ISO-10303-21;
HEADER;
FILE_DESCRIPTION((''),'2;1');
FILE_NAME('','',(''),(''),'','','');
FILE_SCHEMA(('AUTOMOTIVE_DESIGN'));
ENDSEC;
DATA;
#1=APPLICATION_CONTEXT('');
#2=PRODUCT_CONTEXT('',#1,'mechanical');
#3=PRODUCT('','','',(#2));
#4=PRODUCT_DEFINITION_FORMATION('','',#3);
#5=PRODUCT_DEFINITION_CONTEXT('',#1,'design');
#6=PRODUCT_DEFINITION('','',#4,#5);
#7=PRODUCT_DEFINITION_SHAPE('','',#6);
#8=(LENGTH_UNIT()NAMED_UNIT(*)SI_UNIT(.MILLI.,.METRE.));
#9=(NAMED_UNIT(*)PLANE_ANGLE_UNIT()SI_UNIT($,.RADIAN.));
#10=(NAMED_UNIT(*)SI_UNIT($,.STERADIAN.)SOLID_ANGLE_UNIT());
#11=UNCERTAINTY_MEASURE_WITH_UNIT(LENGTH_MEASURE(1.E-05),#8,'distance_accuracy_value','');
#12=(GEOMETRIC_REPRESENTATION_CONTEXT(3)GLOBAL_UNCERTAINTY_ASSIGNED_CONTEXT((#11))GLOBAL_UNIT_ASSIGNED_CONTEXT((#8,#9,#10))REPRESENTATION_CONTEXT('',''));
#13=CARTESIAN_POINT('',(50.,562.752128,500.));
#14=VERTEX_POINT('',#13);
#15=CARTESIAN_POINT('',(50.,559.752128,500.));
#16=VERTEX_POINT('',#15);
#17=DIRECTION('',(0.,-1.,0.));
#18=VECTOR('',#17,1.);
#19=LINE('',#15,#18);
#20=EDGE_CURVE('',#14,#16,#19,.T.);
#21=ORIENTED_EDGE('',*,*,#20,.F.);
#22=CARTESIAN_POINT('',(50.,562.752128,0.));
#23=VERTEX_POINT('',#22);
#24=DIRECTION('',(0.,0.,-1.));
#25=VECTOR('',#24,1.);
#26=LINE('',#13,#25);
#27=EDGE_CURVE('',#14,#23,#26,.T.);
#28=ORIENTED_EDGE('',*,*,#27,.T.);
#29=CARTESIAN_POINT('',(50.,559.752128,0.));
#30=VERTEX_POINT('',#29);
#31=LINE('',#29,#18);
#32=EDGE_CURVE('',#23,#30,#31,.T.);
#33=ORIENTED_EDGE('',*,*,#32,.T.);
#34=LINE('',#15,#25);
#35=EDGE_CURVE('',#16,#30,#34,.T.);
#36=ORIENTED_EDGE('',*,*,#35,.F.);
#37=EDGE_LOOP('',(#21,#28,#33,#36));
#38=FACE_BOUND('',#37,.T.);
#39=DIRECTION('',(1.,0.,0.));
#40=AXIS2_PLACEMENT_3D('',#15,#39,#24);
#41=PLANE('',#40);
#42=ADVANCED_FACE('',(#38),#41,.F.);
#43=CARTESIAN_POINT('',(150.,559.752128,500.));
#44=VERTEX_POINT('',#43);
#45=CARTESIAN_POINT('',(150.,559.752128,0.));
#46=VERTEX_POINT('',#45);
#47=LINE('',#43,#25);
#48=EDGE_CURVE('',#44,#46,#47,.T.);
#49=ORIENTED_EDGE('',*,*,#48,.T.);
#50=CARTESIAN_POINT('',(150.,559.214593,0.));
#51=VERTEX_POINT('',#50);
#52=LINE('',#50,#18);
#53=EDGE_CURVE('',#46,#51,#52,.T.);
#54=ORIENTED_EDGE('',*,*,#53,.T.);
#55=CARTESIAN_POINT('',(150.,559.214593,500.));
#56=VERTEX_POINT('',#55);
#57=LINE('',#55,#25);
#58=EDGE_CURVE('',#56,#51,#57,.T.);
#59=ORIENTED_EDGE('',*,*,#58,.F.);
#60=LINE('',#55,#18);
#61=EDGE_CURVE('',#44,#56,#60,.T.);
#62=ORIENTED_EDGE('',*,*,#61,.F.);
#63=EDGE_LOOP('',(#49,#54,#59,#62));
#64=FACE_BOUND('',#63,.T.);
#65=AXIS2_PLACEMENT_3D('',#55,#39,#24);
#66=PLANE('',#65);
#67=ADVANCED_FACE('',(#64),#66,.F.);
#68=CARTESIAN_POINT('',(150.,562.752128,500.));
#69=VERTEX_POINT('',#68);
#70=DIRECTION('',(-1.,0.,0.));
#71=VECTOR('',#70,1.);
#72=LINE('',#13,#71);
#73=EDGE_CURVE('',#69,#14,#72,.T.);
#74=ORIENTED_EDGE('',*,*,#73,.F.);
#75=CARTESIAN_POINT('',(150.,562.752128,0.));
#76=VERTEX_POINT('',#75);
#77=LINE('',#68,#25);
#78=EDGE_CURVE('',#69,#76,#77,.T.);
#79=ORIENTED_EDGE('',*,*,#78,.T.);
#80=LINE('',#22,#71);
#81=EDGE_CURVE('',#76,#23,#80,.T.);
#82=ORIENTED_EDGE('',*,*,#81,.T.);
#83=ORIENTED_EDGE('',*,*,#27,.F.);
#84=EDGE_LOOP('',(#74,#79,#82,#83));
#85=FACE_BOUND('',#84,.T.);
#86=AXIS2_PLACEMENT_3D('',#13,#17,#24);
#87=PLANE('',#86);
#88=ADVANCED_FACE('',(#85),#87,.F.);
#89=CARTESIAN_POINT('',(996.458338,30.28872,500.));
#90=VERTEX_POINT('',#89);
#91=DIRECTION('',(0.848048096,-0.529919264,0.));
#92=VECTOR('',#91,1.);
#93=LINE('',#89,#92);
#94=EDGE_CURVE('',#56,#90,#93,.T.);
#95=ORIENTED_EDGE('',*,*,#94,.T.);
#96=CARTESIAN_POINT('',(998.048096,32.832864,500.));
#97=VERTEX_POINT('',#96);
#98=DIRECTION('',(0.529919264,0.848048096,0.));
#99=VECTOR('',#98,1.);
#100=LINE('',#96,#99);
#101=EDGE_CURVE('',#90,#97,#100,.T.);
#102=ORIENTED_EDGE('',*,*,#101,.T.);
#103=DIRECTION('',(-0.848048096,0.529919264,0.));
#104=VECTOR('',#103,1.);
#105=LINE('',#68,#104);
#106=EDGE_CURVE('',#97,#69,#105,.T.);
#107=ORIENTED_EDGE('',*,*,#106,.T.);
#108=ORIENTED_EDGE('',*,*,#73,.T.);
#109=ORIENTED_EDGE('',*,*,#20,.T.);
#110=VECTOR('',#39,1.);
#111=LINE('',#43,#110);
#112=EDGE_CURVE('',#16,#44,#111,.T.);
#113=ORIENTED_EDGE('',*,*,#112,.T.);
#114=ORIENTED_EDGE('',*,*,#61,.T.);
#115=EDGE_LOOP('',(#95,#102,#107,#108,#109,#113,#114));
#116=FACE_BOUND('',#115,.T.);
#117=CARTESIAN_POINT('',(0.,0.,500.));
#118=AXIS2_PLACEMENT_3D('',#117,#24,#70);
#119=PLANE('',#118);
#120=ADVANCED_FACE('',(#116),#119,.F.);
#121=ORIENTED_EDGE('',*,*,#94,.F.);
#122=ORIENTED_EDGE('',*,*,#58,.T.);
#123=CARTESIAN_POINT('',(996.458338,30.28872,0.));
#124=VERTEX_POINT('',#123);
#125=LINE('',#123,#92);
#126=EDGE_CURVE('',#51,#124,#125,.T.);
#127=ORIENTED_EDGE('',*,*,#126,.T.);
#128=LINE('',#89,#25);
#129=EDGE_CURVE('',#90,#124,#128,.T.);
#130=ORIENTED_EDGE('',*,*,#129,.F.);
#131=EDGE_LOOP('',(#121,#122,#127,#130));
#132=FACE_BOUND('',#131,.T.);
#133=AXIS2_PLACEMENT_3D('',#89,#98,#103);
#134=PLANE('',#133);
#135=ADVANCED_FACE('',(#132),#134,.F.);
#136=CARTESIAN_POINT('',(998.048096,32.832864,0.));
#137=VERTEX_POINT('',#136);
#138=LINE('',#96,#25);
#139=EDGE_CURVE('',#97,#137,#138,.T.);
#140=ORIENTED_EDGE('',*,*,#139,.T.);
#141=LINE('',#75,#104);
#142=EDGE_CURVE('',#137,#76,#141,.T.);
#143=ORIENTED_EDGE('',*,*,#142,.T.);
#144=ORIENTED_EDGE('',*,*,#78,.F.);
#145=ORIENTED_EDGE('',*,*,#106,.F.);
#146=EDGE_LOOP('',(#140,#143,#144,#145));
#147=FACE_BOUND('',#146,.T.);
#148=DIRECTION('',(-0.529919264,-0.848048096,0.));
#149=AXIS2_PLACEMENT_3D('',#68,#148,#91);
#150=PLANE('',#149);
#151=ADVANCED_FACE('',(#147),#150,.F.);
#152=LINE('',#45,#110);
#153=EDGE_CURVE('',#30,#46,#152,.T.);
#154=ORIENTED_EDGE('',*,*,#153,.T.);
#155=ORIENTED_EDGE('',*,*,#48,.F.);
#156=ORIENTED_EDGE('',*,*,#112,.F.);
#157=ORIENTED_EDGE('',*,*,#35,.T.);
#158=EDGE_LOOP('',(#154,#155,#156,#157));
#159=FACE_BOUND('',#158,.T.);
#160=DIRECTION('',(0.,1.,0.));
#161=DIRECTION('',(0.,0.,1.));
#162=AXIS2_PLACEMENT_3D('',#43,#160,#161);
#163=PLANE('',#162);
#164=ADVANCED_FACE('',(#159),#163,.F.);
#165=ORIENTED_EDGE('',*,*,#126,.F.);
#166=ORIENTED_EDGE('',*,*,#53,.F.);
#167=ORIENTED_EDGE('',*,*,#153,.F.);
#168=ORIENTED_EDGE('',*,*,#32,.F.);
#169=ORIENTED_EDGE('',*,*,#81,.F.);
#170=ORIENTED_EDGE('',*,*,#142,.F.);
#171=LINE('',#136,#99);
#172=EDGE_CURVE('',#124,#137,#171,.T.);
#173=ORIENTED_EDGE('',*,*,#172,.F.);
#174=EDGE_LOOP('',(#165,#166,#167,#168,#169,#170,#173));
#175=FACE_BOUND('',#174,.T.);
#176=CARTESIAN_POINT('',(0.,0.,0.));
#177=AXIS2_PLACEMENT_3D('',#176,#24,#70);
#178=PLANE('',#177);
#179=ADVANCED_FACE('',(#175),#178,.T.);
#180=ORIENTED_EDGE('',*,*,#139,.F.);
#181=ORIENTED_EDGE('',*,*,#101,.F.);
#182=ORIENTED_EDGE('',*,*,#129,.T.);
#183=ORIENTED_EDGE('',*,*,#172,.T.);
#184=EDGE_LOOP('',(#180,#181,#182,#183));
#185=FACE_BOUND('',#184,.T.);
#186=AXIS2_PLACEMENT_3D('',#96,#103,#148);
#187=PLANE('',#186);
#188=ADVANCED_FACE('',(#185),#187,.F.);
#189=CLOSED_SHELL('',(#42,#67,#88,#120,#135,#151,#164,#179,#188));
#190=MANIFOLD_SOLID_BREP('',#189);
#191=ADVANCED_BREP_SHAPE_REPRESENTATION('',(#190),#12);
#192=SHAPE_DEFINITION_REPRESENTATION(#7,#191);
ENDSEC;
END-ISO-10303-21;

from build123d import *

# Parameters (mm, degrees)
F_304_DECK_NORMAL_T3_AND_HORIZONTAL_PLATFO_DEPTH = 500


with BuildPart() as part:
    # 草图1 → 304_deck_normal_t3_and_horizontal_platform_t3 (new body)
    with BuildSketch(Plane.XY):
        Polygon((50, 562.752128099), (150, 562.752128099), (998.048096156, 32.832863866), (996.458338364, 30.288719577), (150, 559.214592889), (150, 559.752128099), (50, 559.752128099), align=None)
    extrude(amount=F_304_DECK_NORMAL_T3_AND_HORIZONTAL_PLATFO_DEPTH)


solid = part.part
